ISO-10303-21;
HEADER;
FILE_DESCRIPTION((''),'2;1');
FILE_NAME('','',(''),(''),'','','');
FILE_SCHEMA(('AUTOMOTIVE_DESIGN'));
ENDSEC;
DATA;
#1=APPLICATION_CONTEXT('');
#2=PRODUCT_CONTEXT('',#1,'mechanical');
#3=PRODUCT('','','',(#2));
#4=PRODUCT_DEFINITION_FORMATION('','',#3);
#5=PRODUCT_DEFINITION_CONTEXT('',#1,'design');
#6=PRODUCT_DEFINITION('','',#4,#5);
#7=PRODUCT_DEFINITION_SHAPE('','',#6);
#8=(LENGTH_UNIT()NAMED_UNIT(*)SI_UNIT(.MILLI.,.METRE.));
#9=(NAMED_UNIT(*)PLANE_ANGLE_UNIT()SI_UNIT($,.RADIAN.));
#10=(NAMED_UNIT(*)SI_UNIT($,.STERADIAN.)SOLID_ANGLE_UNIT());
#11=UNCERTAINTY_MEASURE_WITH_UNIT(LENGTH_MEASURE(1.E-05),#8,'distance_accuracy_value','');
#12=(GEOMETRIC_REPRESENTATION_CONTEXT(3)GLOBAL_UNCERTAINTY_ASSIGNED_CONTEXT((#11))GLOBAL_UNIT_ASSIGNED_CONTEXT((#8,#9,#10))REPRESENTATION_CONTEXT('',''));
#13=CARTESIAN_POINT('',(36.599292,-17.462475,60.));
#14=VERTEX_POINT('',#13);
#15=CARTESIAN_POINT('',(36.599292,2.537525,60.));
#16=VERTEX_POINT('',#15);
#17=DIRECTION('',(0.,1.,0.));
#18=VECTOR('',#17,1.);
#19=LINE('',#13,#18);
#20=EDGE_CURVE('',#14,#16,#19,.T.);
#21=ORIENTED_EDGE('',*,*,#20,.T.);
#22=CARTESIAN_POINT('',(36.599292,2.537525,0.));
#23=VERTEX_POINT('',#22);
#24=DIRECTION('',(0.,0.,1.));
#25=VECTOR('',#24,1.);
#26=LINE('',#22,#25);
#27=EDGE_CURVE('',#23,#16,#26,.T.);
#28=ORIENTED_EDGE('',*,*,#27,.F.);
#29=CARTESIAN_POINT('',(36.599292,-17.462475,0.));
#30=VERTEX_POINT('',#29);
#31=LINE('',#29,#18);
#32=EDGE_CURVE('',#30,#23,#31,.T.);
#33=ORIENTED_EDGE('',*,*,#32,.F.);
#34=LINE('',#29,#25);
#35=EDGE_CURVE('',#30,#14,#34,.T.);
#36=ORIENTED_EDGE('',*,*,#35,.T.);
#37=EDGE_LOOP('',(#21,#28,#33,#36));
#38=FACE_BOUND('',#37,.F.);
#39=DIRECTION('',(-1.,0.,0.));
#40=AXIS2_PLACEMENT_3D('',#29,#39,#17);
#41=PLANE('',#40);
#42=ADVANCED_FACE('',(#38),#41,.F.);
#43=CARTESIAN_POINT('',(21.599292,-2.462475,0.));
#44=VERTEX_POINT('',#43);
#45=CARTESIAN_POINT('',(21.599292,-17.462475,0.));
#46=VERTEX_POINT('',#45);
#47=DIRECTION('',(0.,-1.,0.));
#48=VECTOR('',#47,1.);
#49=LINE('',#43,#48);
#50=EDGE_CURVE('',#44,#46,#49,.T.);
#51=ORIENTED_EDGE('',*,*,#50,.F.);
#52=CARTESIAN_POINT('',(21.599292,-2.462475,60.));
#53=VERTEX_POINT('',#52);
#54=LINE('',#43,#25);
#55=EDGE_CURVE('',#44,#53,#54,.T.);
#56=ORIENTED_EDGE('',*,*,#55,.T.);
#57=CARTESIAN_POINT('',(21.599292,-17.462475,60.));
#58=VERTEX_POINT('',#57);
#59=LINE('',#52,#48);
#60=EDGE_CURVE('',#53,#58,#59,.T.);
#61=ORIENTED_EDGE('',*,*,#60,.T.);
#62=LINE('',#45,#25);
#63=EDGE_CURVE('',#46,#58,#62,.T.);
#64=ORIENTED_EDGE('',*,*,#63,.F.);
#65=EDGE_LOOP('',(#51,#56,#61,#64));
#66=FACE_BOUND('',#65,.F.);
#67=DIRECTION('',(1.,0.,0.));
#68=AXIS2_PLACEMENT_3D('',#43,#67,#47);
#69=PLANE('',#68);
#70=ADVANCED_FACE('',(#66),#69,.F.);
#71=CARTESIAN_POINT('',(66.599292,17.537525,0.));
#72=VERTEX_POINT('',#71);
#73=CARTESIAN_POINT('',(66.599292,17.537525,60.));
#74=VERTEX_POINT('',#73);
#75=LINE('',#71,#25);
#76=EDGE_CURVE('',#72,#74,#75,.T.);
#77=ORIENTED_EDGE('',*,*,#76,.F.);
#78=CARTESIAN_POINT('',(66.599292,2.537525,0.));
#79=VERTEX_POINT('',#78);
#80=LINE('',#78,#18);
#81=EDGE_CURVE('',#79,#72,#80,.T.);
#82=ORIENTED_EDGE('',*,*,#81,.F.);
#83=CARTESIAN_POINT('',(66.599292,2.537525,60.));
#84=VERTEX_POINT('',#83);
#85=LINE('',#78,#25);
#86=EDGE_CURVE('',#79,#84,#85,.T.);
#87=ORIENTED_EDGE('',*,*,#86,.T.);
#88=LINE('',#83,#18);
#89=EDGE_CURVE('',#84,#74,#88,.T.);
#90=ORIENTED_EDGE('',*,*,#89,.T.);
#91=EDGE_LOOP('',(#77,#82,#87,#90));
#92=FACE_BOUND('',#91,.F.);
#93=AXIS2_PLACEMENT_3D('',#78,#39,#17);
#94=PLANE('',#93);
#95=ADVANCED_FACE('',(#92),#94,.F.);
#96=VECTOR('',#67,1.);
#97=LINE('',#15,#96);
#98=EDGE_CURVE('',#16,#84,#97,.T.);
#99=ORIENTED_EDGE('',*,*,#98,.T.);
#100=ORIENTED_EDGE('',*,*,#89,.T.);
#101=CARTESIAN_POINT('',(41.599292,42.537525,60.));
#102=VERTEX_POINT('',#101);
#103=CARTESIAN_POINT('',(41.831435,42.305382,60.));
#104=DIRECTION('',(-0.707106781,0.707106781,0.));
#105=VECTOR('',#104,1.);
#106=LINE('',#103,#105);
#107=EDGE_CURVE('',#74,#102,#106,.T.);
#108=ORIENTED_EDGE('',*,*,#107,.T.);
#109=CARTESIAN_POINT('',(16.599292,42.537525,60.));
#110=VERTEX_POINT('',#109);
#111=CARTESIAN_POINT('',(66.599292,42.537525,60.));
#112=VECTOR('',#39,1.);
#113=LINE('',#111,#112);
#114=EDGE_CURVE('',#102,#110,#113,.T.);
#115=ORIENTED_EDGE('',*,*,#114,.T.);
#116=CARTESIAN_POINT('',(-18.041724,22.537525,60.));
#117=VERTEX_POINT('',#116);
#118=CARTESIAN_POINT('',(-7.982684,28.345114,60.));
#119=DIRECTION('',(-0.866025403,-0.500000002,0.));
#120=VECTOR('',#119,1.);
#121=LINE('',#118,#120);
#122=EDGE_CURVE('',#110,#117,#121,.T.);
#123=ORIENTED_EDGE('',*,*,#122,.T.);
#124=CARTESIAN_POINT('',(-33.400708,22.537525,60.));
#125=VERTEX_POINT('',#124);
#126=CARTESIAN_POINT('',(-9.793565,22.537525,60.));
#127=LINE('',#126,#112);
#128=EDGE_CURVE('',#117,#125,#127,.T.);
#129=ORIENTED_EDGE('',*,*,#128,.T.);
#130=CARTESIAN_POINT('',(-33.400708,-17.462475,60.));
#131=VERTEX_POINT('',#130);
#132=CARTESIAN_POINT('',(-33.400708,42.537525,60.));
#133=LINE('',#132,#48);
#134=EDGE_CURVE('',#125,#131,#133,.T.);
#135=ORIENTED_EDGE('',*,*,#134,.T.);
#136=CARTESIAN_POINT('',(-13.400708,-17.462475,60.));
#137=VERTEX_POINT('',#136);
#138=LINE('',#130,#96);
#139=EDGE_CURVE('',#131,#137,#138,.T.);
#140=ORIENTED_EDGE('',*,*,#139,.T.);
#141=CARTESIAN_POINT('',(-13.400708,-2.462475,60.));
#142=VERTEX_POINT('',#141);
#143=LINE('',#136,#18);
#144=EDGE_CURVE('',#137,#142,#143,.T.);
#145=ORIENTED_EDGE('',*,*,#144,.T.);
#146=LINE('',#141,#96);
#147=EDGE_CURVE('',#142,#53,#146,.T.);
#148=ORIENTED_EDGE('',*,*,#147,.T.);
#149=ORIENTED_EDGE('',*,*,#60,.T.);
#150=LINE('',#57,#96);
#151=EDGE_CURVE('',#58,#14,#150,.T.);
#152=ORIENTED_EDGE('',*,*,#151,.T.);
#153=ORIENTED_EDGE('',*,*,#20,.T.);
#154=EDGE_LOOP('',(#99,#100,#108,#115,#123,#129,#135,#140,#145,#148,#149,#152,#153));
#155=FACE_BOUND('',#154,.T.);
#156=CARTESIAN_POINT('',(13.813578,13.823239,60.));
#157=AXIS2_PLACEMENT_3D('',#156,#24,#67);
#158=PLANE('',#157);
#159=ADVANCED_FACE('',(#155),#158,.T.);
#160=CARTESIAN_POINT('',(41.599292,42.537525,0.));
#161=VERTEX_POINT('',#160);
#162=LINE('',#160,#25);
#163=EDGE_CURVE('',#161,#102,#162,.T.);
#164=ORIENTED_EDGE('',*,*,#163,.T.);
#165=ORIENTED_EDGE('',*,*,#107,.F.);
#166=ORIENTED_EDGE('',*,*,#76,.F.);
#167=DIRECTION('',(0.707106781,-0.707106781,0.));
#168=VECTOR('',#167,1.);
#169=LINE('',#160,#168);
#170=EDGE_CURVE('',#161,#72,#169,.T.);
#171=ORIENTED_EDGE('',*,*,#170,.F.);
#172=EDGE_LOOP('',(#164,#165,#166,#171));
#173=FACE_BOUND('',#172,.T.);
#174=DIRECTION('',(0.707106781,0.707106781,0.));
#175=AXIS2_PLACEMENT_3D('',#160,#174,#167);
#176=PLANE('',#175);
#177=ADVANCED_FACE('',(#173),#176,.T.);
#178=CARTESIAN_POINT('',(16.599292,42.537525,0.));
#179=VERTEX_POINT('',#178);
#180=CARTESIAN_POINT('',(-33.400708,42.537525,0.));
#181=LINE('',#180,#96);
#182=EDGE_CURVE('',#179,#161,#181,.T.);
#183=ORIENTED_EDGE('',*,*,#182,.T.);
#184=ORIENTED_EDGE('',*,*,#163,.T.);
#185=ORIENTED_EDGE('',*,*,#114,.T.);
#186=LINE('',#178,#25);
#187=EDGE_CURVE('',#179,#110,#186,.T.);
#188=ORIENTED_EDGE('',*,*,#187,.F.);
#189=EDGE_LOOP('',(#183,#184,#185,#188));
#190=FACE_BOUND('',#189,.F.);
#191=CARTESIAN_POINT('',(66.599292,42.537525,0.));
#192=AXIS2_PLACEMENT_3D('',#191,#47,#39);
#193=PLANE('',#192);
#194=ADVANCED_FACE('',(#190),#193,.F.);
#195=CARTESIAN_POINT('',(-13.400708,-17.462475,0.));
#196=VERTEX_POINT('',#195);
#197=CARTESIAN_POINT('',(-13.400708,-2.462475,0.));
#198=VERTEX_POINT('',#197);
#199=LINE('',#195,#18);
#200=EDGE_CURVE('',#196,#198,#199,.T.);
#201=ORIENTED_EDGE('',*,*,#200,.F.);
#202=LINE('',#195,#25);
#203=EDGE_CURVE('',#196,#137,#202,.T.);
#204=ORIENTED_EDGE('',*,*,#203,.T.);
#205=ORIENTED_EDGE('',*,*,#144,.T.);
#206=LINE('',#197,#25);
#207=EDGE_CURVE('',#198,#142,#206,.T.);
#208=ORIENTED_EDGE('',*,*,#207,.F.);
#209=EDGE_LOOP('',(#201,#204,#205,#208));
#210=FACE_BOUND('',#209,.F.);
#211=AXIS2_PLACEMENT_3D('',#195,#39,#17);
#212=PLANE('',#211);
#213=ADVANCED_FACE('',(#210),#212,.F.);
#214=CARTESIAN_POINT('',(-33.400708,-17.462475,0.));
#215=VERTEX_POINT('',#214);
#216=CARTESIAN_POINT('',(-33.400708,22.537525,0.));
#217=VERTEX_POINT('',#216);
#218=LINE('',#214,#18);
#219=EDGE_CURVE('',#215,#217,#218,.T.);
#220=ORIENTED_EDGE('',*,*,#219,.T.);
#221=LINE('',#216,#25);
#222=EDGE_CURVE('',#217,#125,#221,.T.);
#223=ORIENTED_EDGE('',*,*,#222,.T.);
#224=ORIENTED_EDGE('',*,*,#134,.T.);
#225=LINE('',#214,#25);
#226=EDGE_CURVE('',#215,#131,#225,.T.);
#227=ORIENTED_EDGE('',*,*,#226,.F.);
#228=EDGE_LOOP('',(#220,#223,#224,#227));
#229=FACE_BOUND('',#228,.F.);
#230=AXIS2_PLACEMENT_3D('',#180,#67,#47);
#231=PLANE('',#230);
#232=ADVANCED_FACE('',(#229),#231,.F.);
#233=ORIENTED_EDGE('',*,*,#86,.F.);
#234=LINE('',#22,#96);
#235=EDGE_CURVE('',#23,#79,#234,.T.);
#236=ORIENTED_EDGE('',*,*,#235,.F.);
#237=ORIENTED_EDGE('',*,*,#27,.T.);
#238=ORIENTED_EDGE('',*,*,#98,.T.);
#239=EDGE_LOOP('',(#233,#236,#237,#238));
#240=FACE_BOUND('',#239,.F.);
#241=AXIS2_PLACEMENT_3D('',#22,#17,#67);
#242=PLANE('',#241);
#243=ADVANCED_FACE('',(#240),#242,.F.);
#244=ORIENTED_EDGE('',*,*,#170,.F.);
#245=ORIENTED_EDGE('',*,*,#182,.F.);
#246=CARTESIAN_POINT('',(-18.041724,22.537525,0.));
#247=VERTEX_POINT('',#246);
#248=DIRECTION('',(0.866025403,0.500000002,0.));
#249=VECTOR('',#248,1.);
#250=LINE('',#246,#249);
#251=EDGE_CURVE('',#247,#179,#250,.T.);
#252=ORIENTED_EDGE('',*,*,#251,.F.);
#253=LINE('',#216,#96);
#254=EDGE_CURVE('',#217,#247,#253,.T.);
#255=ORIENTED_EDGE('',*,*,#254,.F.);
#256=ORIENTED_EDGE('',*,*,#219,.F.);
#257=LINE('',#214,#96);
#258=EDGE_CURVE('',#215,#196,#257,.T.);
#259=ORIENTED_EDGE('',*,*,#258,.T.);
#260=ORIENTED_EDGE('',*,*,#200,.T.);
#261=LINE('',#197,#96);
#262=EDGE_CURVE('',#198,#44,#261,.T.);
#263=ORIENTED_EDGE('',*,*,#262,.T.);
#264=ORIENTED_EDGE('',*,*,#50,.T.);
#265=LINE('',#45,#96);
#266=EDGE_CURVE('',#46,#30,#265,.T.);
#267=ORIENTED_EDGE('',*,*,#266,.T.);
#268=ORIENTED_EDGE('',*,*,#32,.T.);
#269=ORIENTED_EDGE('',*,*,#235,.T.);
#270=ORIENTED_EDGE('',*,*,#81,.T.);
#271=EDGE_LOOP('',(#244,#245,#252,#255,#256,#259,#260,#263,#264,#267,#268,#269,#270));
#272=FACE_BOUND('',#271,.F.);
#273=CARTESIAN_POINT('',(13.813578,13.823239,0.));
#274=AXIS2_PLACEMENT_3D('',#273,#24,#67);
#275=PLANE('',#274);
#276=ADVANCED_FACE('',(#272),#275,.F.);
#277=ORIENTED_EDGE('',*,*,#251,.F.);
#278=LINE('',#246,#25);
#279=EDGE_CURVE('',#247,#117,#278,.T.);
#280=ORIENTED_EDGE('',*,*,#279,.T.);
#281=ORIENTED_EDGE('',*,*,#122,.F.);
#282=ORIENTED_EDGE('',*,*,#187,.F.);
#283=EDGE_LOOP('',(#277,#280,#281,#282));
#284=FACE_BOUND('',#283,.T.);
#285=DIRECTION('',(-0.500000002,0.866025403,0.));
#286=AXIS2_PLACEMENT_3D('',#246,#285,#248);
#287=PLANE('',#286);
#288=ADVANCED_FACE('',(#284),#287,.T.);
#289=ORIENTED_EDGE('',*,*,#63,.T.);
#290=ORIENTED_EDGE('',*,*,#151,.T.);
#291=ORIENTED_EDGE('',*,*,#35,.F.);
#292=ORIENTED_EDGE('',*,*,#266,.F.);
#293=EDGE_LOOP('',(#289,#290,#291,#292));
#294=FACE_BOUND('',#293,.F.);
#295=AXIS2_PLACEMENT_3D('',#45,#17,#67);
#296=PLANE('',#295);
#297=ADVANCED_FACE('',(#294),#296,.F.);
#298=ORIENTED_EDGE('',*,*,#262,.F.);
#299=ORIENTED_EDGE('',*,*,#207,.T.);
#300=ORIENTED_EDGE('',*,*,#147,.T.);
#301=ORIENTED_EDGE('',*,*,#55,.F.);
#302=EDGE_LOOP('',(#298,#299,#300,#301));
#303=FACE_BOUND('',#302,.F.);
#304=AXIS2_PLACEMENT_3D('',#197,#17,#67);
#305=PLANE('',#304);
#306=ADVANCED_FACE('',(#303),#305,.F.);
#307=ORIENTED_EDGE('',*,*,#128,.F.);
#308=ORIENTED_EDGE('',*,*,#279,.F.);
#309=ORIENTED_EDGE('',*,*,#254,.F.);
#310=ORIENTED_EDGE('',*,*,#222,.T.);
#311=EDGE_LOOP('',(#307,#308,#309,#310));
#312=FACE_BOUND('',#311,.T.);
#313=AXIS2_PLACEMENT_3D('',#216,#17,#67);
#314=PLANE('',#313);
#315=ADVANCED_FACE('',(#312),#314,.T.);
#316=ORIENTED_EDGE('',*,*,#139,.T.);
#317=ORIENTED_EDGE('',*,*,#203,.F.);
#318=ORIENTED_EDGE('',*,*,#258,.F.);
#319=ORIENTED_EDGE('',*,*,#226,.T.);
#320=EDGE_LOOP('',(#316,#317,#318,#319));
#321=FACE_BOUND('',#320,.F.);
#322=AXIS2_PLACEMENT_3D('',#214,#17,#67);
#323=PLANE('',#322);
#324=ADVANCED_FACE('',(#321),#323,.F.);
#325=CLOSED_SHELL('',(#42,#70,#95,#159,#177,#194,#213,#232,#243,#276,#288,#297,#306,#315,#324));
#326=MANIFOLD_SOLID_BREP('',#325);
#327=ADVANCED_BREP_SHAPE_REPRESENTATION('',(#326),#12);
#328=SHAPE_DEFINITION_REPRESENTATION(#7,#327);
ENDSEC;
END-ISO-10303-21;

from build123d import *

# Parameters (mm, degrees)
F1_DEPTH = 60
F3_DEPTH = 25
F4_DEPTH = 78


with BuildPart() as f1:
    # F0 (on Top) → F1 (new body)
    with BuildSketch(Plane.XY):
        Polygon((66.599292, 42.537525), (-33.400708, 42.537525), (-33.400708, -17.462475), (-13.400708, -17.462475), (-13.400708, -2.462475), (21.599292, -2.462475), (21.599292, -17.462475), (36.599292, -17.462475), (36.599292, 2.537525), (66.599292, 2.537525), align=None)
    extrude(amount=F1_DEPTH)

    # F2 (on Top) → F3 (join)
    with BuildSketch(Plane.XY):
        Polygon((66.599292, 17.537525), (66.599292, 42.537525), (41.599292, 42.537525), align=None)
        Polygon((16.599292, 42.537525), (-33.400708, 42.537525), (-33.400708, 23.578404), (-33.400708, 22.537525), (-18.041724, 22.537525), align=None)
    extrude(amount=F3_DEPTH)

    # F2 (on Top) → F4 (cut)
    with BuildSketch(Plane.XY):
        Polygon((66.599292, 17.537525), (66.599292, 42.537525), (41.599292, 42.537525), align=None)
        Polygon((16.599292, 42.537525), (-33.400708, 42.537525), (-33.400708, 23.578404), (-33.400708, 22.537525), (-18.041724, 22.537525), align=None)
    extrude(amount=F4_DEPTH, mode=Mode.SUBTRACT)


solid = f1.part
